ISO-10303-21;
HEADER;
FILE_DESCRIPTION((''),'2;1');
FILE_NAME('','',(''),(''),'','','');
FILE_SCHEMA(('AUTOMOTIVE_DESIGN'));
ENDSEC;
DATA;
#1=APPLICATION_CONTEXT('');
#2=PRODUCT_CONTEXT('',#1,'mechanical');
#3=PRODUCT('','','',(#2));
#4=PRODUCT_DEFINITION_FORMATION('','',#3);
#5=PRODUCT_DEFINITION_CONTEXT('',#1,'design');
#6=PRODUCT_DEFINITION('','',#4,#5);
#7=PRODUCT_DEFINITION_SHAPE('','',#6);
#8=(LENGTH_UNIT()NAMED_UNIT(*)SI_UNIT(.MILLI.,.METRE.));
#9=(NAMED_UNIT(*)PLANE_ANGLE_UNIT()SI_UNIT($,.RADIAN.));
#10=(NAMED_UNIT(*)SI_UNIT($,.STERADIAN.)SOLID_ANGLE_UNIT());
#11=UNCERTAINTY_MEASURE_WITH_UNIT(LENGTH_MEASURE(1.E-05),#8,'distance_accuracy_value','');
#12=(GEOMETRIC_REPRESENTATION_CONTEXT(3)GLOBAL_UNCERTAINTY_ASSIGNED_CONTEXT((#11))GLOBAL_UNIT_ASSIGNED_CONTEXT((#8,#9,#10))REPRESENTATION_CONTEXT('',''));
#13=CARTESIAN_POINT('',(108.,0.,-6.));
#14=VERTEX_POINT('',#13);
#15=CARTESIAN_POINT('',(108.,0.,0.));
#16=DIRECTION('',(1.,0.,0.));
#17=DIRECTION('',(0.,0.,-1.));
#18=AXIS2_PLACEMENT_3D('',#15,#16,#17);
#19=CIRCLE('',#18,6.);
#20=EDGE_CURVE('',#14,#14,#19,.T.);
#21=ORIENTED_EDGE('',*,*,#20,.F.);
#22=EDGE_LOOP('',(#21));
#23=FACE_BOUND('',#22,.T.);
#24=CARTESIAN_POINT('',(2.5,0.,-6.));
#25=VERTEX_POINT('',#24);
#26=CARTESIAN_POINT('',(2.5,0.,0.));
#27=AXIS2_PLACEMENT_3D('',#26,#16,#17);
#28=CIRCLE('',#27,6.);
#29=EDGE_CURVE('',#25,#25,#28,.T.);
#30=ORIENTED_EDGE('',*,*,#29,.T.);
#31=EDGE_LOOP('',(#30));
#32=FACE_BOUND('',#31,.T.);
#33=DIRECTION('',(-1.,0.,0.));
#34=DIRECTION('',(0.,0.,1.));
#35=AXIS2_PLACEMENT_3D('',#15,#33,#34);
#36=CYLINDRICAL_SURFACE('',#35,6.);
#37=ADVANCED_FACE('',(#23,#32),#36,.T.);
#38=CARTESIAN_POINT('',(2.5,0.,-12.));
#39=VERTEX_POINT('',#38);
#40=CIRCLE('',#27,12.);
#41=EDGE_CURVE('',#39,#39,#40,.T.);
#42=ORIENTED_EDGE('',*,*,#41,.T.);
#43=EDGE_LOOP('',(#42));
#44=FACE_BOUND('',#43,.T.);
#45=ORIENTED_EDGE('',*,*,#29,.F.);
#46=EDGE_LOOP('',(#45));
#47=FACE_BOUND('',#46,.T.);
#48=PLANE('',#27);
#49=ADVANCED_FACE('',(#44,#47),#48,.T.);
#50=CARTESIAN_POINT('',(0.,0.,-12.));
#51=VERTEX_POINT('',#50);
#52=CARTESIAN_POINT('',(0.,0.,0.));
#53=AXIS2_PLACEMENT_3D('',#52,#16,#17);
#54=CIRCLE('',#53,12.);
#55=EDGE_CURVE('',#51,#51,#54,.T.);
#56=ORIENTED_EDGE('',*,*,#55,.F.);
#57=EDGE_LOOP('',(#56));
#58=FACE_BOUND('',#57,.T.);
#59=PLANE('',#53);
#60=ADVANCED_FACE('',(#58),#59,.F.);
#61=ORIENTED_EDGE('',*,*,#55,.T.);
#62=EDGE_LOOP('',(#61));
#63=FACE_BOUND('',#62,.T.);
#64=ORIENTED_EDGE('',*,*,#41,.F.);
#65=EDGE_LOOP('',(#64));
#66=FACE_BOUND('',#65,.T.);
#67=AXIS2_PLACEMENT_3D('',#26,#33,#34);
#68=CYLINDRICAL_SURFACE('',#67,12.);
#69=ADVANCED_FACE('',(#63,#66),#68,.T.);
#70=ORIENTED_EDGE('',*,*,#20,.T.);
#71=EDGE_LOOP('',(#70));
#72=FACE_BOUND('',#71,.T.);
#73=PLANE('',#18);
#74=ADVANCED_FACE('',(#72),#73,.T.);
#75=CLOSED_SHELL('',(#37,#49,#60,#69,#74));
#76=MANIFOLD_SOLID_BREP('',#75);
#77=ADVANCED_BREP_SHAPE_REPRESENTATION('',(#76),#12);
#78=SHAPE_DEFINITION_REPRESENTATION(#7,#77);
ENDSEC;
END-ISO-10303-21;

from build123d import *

# Parameters (mm, degrees)
SKETCH_1_R      = 12
EXTRUDE_1_DEPTH = 2.5
SKETCH_2_R      = 6
EXTRUDE_2_DEPTH = 105.5


with BuildPart() as part:
    # Эскиз1 → Бобышка-Вытянуть1 (new body)
    with BuildSketch(Plane(origin=(0, 0, 0), x_dir=(0, 0, -1), z_dir=(1, 0, 0))):
        Circle(SKETCH_1_R)
    extrude(amount=EXTRUDE_1_DEPTH)

    # Эскиз2 → Бобышка-Вытянуть2 (add)
    with BuildSketch(Plane(origin=(2.5, 0, 0), x_dir=(0, 0, -1), z_dir=(1, 0, 0))):
        Circle(SKETCH_2_R)
    extrude(amount=EXTRUDE_2_DEPTH)


solid = part.part
